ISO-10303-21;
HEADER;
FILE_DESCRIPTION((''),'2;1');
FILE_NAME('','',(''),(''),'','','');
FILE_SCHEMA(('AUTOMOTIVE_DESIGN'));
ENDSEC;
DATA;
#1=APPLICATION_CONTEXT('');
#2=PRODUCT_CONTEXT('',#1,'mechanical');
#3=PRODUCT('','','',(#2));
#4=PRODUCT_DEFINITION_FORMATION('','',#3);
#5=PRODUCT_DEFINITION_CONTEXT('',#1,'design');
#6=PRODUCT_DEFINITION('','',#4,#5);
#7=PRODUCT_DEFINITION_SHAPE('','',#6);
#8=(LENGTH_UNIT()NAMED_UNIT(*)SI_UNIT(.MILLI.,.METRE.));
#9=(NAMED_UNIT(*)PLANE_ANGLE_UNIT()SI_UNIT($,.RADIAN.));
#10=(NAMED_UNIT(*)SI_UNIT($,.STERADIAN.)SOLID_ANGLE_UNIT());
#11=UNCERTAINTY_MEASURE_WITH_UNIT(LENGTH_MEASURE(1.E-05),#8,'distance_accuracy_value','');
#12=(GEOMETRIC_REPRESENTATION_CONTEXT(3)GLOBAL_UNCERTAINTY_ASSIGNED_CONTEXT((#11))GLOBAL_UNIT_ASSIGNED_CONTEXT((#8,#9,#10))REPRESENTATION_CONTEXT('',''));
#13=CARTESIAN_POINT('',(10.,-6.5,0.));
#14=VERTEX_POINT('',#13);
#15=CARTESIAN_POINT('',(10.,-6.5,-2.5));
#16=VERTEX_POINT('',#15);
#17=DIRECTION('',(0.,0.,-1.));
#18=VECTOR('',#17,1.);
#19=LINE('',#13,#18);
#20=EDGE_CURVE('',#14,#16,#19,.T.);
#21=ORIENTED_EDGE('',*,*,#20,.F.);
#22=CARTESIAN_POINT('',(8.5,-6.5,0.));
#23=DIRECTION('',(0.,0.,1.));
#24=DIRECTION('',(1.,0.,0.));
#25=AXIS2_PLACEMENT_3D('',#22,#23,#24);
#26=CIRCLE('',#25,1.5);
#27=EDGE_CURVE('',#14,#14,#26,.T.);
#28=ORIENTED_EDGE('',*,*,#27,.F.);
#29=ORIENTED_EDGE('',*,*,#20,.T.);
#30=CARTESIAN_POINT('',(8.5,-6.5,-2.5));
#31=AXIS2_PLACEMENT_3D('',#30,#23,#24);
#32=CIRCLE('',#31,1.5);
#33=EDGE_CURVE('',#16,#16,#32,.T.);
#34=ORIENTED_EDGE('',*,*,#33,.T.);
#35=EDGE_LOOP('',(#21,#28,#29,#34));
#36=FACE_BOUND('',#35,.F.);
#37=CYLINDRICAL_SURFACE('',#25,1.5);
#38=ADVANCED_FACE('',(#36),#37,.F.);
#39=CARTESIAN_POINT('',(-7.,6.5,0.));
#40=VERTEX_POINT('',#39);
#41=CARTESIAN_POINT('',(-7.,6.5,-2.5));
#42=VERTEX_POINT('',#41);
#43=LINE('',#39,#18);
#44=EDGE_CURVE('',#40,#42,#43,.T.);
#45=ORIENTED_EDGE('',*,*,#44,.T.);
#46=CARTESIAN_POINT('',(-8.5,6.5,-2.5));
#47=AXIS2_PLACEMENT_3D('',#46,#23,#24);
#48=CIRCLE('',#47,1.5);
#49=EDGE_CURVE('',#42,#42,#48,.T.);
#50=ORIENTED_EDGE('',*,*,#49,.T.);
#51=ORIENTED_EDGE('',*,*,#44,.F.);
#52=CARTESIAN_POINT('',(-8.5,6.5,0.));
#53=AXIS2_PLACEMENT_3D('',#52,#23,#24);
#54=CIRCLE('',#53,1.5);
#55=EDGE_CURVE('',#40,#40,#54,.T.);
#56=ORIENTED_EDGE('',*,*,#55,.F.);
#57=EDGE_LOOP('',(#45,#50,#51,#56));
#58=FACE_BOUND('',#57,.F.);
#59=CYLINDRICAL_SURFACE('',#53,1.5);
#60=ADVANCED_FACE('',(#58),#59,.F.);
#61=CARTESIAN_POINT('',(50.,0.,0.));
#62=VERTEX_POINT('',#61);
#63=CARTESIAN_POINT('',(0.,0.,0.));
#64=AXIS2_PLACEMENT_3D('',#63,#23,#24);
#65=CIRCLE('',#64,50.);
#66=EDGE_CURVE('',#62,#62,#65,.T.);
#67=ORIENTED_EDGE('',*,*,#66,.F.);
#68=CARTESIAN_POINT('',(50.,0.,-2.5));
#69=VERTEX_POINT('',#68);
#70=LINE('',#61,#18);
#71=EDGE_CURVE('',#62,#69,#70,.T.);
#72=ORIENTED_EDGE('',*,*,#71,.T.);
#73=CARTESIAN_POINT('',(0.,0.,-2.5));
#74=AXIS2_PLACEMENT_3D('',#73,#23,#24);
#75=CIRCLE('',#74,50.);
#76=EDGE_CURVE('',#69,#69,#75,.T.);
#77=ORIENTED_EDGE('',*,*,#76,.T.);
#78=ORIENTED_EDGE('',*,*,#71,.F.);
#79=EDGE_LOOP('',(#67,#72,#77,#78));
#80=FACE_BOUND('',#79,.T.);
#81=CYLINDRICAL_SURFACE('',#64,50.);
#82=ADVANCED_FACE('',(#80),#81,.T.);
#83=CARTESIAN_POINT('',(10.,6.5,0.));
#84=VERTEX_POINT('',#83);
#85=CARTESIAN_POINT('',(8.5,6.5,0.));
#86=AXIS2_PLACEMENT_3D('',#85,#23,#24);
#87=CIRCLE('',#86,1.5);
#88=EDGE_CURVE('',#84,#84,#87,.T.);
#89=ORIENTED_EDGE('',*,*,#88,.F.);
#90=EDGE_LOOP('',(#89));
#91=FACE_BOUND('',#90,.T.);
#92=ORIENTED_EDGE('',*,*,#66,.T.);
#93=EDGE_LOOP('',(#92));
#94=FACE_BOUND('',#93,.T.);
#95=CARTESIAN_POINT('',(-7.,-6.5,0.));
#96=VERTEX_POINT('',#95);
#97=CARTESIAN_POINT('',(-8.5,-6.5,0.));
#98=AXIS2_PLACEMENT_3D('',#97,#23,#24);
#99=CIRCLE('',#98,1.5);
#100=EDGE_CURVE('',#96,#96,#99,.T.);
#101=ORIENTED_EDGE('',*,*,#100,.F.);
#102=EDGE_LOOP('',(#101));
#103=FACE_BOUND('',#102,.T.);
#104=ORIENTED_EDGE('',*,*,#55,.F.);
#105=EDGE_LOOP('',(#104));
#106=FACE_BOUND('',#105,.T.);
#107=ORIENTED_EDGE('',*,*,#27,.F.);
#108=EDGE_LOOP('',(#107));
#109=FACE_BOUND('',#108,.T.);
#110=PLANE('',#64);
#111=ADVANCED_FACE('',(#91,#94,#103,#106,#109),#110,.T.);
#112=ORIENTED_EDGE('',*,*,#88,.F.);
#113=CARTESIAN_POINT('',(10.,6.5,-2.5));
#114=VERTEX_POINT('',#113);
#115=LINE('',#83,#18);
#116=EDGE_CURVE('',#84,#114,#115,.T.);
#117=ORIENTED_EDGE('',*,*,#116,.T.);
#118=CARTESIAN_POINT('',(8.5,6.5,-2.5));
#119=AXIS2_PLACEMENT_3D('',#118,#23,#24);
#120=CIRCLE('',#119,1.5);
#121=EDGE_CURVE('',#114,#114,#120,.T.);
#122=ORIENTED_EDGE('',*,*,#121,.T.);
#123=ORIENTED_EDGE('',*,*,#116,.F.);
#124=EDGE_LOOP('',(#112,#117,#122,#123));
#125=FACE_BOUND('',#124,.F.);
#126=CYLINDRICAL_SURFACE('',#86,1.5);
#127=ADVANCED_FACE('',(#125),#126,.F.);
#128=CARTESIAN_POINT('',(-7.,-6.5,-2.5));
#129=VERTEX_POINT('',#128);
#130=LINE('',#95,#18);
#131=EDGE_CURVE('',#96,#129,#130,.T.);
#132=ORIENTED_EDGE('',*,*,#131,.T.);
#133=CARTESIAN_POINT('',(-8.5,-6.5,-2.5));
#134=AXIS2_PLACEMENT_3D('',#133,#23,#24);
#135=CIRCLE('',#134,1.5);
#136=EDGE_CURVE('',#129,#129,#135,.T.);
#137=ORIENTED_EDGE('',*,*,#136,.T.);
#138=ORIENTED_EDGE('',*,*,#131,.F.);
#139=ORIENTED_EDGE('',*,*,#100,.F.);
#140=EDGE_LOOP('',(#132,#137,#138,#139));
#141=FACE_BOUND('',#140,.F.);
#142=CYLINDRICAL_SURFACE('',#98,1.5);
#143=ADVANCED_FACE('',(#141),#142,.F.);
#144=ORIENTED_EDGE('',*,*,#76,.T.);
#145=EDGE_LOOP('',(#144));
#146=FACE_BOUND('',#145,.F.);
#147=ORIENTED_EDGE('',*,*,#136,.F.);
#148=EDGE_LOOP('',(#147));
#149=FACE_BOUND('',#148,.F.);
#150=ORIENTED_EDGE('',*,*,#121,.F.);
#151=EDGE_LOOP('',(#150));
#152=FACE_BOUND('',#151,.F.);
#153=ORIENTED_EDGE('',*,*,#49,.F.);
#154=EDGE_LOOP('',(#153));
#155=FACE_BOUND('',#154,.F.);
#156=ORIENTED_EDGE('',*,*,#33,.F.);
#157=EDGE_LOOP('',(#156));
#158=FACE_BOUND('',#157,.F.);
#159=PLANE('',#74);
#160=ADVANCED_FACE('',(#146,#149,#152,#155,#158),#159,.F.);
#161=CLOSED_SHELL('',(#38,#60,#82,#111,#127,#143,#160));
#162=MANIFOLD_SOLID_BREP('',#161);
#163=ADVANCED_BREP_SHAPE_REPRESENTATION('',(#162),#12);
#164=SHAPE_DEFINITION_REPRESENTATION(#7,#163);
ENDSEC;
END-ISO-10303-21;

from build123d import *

# Parameters (mm, degrees)
F0_R     = 50
F0_R_2   = 1.5
F1_DEPTH = 2.5


with BuildPart() as f1:
    # F0 (on Top) → F1 (new body)
    with BuildSketch(Plane.XY):
        Circle(F0_R)
        with Locations((-8.5, -6.5)):
            Circle(F0_R_2, mode=Mode.SUBTRACT)
        with Locations((8.5, -6.5)):
            Circle(F0_R_2, mode=Mode.SUBTRACT)
        with Locations((-8.5, 6.5)):
            Circle(F0_R_2, mode=Mode.SUBTRACT)
        with Locations((8.5, 6.5)):
            Circle(F0_R_2, mode=Mode.SUBTRACT)
    extrude(amount=-F1_DEPTH)


solid = f1.part
